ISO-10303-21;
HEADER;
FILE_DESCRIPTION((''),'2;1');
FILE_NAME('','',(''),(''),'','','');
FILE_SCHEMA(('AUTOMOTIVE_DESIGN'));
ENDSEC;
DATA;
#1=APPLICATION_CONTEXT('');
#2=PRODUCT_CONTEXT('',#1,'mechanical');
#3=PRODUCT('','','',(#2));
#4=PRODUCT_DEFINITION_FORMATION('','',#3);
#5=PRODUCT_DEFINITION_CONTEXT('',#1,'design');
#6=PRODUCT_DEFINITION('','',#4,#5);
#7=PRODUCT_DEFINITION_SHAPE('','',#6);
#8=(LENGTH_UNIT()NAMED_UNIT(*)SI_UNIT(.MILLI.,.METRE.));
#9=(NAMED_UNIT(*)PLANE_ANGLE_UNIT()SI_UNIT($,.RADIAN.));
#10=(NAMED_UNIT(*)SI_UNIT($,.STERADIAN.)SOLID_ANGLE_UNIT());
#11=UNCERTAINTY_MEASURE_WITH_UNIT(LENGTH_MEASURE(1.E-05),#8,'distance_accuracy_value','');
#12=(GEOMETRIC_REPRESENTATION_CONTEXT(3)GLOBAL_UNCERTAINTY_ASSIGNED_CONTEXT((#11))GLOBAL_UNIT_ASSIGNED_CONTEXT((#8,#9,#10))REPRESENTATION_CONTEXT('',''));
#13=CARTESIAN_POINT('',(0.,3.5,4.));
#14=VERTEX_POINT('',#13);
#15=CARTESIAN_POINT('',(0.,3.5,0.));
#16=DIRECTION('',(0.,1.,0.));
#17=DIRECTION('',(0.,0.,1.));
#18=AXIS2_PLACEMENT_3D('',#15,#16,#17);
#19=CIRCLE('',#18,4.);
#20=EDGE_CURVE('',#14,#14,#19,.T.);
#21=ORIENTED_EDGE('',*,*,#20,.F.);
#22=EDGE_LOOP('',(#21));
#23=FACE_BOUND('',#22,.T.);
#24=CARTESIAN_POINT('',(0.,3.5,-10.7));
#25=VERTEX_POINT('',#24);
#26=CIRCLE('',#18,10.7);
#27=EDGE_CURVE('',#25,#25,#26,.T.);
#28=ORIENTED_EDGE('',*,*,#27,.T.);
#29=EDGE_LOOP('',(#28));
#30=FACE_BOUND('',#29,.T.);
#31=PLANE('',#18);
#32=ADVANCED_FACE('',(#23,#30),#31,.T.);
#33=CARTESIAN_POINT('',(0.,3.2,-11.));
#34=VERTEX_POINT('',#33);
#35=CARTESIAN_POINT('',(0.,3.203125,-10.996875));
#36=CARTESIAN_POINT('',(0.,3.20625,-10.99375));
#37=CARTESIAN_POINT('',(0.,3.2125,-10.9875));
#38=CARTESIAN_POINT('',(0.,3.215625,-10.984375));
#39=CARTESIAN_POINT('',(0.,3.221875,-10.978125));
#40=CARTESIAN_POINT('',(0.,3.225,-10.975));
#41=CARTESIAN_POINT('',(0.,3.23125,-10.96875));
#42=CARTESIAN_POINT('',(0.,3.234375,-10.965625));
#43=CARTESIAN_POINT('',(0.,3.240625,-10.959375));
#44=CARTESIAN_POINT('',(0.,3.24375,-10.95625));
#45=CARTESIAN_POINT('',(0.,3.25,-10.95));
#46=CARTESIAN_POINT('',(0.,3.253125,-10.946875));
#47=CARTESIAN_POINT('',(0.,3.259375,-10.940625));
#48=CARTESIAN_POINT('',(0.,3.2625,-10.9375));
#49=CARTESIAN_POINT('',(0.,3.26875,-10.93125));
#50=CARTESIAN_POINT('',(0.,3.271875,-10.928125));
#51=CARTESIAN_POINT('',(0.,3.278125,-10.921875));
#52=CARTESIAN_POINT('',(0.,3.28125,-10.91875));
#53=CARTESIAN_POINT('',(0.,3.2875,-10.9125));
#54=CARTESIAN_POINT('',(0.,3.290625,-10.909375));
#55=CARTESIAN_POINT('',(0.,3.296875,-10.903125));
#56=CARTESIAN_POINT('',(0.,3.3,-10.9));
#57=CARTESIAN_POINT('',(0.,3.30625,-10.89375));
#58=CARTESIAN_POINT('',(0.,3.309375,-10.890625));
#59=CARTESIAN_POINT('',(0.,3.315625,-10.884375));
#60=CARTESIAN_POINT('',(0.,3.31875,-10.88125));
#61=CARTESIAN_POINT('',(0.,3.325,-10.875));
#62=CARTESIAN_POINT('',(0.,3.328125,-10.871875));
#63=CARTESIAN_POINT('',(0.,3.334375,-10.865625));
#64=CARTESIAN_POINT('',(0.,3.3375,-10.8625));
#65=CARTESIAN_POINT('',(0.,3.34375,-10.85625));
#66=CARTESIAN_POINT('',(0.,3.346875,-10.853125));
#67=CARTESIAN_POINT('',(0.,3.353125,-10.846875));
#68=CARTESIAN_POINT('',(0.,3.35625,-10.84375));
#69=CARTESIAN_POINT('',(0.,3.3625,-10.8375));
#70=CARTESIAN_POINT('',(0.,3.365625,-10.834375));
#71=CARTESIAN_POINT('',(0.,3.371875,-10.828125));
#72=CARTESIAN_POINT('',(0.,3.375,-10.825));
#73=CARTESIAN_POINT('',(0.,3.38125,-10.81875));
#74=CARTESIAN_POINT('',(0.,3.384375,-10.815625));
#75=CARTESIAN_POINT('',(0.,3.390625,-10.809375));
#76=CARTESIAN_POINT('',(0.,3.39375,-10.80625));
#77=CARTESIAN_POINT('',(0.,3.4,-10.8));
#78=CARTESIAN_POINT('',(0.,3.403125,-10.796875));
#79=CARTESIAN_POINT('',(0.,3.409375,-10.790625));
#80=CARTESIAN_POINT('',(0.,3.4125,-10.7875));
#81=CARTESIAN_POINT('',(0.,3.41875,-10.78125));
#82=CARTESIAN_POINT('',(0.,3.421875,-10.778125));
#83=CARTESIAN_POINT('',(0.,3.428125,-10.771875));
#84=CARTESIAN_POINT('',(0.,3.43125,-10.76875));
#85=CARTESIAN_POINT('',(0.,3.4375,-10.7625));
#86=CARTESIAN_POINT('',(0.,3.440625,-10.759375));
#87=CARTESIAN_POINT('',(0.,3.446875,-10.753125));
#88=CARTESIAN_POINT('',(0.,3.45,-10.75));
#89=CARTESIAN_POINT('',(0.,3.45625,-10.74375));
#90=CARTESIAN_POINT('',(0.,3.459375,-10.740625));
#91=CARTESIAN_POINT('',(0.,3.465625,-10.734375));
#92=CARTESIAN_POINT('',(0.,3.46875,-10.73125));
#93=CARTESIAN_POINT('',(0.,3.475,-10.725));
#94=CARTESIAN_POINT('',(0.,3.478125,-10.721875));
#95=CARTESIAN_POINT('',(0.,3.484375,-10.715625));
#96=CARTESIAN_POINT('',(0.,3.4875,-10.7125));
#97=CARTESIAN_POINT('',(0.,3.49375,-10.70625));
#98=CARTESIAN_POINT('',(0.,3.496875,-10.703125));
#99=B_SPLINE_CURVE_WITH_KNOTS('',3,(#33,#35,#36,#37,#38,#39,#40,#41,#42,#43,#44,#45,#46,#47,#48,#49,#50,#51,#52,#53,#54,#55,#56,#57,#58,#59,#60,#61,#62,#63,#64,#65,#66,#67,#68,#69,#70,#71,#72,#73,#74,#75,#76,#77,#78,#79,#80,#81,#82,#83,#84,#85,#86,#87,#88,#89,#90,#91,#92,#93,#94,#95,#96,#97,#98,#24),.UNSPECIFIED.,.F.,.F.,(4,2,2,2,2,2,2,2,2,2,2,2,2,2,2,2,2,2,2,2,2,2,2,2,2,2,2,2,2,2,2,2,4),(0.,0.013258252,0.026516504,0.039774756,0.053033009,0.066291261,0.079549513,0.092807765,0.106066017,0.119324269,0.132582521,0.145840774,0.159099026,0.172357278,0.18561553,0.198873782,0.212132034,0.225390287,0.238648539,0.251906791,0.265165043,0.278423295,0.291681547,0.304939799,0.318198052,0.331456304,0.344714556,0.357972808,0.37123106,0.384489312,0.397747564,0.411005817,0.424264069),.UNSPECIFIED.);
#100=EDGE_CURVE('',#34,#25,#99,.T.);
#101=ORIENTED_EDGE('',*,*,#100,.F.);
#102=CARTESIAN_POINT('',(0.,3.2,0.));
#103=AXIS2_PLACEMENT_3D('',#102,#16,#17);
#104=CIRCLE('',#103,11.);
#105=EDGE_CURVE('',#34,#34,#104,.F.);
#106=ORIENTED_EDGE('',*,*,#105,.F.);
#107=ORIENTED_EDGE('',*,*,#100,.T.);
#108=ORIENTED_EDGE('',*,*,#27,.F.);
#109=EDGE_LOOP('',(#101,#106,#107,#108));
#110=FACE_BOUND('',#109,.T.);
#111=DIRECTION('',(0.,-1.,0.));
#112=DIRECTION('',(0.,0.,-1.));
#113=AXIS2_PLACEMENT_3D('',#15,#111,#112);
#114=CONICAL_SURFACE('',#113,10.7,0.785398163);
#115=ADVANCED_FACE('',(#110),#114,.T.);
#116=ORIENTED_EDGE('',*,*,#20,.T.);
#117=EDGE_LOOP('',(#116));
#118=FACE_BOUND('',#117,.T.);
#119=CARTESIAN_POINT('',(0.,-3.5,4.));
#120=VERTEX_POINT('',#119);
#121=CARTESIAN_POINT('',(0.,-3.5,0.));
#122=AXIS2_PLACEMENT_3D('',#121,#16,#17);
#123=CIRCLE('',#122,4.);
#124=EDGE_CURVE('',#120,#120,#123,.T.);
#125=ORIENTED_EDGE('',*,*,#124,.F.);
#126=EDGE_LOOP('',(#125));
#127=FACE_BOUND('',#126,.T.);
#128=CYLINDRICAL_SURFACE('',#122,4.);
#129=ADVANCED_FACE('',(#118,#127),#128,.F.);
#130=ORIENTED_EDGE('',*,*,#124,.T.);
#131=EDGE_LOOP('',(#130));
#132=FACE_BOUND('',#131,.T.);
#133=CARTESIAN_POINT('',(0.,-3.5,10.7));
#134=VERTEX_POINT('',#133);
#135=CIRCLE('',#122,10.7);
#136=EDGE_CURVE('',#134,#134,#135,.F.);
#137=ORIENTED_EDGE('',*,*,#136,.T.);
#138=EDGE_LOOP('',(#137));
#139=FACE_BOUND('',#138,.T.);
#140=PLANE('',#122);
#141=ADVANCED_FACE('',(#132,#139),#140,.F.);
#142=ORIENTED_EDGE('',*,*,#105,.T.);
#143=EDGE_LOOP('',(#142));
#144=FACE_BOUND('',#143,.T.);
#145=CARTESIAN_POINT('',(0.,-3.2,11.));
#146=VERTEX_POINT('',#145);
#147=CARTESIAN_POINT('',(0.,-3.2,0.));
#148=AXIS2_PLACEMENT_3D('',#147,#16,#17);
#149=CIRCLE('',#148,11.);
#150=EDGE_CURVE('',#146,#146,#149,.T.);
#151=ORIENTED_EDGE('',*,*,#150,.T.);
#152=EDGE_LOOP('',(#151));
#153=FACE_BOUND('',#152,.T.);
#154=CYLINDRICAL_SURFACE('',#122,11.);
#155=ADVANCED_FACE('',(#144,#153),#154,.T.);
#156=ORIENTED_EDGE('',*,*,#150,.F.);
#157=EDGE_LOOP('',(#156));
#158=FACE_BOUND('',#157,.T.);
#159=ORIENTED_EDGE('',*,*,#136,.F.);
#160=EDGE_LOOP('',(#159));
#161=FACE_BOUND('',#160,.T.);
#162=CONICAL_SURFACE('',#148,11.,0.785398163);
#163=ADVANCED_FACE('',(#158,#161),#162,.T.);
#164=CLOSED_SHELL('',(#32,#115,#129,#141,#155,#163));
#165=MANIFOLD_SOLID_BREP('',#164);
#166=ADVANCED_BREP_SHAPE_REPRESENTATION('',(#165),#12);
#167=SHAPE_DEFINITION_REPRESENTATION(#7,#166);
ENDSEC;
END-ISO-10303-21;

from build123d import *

# Parameters (mm, degrees)
BOSS_EXTRUDE1_DEPTH      = 3.5
BOSS_EXTRUDE1_DEPTH_BACK = 3.5
SKETCH1_R                = 11
SKETCH1_R_2              = 4
CHAMFER1_SIZE            = 0.3


with BuildPart() as part:
    # Sketch1 → Boss-Extrude1 (new, two sides: drawn at the far end of the back side and taken through both)
    with BuildSketch(Plane(origin=(0, 0, 0), x_dir=(1, 0, 0), z_dir=(0, 1, 0)).offset(-BOSS_EXTRUDE1_DEPTH_BACK)):
        Circle(SKETCH1_R)
        Circle(SKETCH1_R_2, mode=Mode.SUBTRACT)
    extrude(amount=BOSS_EXTRUDE1_DEPTH + BOSS_EXTRUDE1_DEPTH_BACK)

    # Chamfer1
    chamfer1_edges = [part.edges().sort_by_distance(p)[0] for p in [
        (-11, -3.5, 0),
        (-11, 3.5, 0),
    ]]
    chamfer(chamfer1_edges, length=CHAMFER1_SIZE)


solid = part.part
